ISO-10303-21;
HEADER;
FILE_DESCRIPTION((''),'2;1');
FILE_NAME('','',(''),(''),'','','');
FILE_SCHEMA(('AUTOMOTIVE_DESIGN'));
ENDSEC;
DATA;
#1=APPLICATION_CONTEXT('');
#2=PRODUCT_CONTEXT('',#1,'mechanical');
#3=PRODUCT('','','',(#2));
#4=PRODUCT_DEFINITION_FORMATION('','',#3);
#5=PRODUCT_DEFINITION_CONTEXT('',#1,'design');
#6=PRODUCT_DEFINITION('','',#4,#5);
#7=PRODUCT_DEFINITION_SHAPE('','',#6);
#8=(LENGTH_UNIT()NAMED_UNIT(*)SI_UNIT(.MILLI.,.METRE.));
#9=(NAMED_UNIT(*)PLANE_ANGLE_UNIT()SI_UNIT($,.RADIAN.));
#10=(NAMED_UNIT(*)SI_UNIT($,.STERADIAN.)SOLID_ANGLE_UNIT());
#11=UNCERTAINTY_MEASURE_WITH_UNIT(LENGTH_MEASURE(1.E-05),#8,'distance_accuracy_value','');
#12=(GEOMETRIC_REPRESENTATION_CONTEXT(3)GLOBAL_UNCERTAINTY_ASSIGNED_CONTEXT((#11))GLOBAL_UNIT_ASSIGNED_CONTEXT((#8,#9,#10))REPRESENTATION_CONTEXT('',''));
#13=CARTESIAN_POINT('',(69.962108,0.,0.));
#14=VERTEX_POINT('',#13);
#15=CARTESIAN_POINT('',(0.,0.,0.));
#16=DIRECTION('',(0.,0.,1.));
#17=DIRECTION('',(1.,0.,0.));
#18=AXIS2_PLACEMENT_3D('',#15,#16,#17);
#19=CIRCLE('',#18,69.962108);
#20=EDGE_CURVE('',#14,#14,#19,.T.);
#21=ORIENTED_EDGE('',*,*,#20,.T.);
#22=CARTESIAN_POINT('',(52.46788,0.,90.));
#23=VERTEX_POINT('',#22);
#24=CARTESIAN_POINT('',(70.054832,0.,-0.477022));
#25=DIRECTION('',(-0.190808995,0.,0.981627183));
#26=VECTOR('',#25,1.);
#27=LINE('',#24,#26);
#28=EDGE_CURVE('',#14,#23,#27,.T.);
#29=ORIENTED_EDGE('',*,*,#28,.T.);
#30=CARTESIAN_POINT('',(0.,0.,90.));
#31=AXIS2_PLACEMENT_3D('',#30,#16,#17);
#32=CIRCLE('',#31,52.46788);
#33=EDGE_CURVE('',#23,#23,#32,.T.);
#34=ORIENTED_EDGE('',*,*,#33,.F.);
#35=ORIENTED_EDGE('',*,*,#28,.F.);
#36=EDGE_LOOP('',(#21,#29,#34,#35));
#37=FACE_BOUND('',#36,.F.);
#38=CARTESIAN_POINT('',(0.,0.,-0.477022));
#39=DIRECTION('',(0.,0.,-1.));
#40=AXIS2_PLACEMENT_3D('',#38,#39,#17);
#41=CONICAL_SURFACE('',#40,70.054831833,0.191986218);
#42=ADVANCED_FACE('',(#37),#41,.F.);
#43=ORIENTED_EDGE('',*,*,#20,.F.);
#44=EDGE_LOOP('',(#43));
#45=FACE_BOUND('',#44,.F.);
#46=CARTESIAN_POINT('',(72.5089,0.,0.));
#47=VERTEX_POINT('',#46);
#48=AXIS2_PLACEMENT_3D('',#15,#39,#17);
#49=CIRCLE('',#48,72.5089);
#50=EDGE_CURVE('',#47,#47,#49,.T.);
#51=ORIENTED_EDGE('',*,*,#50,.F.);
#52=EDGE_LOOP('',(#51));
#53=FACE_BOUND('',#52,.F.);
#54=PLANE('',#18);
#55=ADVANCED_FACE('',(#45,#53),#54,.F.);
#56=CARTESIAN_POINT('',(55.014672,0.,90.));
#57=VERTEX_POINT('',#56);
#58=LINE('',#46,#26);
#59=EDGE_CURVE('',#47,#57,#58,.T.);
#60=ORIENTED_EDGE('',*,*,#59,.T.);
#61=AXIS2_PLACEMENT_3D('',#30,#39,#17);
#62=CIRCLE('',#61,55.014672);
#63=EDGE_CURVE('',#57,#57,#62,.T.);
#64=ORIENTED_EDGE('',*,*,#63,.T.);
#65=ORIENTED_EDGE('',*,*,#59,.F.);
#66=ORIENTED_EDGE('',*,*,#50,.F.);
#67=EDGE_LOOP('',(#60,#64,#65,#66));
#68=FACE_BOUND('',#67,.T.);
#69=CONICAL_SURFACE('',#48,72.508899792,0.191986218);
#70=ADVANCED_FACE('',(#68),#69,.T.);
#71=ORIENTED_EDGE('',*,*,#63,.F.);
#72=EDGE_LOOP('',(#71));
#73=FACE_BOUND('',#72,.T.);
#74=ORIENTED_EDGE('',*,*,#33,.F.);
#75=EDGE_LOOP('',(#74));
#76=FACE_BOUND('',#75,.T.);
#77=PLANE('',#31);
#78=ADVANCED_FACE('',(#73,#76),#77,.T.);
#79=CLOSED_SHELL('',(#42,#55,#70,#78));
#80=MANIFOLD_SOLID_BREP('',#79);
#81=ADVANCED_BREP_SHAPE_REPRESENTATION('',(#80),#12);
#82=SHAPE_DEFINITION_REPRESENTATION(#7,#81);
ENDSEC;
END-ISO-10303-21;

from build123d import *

# Parameters (mm, degrees)
F0_R     = 72.5088997919
F1_DEPTH = 90
F1_TAPER = 11
F2_T     = -2.5


with BuildPart() as f1:
    # F0 (on Top) → F1 (new body)
    with BuildSketch(Plane.XY):
        Circle(F0_R)
    extrude(amount=F1_DEPTH, taper=F1_TAPER)

    # F2
    f2_openings = [f1.faces().sort_by_distance(p)[0] for p in [
        (0, 0, 90),
        (0, 0, 0),
    ]]
    offset(amount=F2_T, openings=f2_openings)


solid = f1.part
